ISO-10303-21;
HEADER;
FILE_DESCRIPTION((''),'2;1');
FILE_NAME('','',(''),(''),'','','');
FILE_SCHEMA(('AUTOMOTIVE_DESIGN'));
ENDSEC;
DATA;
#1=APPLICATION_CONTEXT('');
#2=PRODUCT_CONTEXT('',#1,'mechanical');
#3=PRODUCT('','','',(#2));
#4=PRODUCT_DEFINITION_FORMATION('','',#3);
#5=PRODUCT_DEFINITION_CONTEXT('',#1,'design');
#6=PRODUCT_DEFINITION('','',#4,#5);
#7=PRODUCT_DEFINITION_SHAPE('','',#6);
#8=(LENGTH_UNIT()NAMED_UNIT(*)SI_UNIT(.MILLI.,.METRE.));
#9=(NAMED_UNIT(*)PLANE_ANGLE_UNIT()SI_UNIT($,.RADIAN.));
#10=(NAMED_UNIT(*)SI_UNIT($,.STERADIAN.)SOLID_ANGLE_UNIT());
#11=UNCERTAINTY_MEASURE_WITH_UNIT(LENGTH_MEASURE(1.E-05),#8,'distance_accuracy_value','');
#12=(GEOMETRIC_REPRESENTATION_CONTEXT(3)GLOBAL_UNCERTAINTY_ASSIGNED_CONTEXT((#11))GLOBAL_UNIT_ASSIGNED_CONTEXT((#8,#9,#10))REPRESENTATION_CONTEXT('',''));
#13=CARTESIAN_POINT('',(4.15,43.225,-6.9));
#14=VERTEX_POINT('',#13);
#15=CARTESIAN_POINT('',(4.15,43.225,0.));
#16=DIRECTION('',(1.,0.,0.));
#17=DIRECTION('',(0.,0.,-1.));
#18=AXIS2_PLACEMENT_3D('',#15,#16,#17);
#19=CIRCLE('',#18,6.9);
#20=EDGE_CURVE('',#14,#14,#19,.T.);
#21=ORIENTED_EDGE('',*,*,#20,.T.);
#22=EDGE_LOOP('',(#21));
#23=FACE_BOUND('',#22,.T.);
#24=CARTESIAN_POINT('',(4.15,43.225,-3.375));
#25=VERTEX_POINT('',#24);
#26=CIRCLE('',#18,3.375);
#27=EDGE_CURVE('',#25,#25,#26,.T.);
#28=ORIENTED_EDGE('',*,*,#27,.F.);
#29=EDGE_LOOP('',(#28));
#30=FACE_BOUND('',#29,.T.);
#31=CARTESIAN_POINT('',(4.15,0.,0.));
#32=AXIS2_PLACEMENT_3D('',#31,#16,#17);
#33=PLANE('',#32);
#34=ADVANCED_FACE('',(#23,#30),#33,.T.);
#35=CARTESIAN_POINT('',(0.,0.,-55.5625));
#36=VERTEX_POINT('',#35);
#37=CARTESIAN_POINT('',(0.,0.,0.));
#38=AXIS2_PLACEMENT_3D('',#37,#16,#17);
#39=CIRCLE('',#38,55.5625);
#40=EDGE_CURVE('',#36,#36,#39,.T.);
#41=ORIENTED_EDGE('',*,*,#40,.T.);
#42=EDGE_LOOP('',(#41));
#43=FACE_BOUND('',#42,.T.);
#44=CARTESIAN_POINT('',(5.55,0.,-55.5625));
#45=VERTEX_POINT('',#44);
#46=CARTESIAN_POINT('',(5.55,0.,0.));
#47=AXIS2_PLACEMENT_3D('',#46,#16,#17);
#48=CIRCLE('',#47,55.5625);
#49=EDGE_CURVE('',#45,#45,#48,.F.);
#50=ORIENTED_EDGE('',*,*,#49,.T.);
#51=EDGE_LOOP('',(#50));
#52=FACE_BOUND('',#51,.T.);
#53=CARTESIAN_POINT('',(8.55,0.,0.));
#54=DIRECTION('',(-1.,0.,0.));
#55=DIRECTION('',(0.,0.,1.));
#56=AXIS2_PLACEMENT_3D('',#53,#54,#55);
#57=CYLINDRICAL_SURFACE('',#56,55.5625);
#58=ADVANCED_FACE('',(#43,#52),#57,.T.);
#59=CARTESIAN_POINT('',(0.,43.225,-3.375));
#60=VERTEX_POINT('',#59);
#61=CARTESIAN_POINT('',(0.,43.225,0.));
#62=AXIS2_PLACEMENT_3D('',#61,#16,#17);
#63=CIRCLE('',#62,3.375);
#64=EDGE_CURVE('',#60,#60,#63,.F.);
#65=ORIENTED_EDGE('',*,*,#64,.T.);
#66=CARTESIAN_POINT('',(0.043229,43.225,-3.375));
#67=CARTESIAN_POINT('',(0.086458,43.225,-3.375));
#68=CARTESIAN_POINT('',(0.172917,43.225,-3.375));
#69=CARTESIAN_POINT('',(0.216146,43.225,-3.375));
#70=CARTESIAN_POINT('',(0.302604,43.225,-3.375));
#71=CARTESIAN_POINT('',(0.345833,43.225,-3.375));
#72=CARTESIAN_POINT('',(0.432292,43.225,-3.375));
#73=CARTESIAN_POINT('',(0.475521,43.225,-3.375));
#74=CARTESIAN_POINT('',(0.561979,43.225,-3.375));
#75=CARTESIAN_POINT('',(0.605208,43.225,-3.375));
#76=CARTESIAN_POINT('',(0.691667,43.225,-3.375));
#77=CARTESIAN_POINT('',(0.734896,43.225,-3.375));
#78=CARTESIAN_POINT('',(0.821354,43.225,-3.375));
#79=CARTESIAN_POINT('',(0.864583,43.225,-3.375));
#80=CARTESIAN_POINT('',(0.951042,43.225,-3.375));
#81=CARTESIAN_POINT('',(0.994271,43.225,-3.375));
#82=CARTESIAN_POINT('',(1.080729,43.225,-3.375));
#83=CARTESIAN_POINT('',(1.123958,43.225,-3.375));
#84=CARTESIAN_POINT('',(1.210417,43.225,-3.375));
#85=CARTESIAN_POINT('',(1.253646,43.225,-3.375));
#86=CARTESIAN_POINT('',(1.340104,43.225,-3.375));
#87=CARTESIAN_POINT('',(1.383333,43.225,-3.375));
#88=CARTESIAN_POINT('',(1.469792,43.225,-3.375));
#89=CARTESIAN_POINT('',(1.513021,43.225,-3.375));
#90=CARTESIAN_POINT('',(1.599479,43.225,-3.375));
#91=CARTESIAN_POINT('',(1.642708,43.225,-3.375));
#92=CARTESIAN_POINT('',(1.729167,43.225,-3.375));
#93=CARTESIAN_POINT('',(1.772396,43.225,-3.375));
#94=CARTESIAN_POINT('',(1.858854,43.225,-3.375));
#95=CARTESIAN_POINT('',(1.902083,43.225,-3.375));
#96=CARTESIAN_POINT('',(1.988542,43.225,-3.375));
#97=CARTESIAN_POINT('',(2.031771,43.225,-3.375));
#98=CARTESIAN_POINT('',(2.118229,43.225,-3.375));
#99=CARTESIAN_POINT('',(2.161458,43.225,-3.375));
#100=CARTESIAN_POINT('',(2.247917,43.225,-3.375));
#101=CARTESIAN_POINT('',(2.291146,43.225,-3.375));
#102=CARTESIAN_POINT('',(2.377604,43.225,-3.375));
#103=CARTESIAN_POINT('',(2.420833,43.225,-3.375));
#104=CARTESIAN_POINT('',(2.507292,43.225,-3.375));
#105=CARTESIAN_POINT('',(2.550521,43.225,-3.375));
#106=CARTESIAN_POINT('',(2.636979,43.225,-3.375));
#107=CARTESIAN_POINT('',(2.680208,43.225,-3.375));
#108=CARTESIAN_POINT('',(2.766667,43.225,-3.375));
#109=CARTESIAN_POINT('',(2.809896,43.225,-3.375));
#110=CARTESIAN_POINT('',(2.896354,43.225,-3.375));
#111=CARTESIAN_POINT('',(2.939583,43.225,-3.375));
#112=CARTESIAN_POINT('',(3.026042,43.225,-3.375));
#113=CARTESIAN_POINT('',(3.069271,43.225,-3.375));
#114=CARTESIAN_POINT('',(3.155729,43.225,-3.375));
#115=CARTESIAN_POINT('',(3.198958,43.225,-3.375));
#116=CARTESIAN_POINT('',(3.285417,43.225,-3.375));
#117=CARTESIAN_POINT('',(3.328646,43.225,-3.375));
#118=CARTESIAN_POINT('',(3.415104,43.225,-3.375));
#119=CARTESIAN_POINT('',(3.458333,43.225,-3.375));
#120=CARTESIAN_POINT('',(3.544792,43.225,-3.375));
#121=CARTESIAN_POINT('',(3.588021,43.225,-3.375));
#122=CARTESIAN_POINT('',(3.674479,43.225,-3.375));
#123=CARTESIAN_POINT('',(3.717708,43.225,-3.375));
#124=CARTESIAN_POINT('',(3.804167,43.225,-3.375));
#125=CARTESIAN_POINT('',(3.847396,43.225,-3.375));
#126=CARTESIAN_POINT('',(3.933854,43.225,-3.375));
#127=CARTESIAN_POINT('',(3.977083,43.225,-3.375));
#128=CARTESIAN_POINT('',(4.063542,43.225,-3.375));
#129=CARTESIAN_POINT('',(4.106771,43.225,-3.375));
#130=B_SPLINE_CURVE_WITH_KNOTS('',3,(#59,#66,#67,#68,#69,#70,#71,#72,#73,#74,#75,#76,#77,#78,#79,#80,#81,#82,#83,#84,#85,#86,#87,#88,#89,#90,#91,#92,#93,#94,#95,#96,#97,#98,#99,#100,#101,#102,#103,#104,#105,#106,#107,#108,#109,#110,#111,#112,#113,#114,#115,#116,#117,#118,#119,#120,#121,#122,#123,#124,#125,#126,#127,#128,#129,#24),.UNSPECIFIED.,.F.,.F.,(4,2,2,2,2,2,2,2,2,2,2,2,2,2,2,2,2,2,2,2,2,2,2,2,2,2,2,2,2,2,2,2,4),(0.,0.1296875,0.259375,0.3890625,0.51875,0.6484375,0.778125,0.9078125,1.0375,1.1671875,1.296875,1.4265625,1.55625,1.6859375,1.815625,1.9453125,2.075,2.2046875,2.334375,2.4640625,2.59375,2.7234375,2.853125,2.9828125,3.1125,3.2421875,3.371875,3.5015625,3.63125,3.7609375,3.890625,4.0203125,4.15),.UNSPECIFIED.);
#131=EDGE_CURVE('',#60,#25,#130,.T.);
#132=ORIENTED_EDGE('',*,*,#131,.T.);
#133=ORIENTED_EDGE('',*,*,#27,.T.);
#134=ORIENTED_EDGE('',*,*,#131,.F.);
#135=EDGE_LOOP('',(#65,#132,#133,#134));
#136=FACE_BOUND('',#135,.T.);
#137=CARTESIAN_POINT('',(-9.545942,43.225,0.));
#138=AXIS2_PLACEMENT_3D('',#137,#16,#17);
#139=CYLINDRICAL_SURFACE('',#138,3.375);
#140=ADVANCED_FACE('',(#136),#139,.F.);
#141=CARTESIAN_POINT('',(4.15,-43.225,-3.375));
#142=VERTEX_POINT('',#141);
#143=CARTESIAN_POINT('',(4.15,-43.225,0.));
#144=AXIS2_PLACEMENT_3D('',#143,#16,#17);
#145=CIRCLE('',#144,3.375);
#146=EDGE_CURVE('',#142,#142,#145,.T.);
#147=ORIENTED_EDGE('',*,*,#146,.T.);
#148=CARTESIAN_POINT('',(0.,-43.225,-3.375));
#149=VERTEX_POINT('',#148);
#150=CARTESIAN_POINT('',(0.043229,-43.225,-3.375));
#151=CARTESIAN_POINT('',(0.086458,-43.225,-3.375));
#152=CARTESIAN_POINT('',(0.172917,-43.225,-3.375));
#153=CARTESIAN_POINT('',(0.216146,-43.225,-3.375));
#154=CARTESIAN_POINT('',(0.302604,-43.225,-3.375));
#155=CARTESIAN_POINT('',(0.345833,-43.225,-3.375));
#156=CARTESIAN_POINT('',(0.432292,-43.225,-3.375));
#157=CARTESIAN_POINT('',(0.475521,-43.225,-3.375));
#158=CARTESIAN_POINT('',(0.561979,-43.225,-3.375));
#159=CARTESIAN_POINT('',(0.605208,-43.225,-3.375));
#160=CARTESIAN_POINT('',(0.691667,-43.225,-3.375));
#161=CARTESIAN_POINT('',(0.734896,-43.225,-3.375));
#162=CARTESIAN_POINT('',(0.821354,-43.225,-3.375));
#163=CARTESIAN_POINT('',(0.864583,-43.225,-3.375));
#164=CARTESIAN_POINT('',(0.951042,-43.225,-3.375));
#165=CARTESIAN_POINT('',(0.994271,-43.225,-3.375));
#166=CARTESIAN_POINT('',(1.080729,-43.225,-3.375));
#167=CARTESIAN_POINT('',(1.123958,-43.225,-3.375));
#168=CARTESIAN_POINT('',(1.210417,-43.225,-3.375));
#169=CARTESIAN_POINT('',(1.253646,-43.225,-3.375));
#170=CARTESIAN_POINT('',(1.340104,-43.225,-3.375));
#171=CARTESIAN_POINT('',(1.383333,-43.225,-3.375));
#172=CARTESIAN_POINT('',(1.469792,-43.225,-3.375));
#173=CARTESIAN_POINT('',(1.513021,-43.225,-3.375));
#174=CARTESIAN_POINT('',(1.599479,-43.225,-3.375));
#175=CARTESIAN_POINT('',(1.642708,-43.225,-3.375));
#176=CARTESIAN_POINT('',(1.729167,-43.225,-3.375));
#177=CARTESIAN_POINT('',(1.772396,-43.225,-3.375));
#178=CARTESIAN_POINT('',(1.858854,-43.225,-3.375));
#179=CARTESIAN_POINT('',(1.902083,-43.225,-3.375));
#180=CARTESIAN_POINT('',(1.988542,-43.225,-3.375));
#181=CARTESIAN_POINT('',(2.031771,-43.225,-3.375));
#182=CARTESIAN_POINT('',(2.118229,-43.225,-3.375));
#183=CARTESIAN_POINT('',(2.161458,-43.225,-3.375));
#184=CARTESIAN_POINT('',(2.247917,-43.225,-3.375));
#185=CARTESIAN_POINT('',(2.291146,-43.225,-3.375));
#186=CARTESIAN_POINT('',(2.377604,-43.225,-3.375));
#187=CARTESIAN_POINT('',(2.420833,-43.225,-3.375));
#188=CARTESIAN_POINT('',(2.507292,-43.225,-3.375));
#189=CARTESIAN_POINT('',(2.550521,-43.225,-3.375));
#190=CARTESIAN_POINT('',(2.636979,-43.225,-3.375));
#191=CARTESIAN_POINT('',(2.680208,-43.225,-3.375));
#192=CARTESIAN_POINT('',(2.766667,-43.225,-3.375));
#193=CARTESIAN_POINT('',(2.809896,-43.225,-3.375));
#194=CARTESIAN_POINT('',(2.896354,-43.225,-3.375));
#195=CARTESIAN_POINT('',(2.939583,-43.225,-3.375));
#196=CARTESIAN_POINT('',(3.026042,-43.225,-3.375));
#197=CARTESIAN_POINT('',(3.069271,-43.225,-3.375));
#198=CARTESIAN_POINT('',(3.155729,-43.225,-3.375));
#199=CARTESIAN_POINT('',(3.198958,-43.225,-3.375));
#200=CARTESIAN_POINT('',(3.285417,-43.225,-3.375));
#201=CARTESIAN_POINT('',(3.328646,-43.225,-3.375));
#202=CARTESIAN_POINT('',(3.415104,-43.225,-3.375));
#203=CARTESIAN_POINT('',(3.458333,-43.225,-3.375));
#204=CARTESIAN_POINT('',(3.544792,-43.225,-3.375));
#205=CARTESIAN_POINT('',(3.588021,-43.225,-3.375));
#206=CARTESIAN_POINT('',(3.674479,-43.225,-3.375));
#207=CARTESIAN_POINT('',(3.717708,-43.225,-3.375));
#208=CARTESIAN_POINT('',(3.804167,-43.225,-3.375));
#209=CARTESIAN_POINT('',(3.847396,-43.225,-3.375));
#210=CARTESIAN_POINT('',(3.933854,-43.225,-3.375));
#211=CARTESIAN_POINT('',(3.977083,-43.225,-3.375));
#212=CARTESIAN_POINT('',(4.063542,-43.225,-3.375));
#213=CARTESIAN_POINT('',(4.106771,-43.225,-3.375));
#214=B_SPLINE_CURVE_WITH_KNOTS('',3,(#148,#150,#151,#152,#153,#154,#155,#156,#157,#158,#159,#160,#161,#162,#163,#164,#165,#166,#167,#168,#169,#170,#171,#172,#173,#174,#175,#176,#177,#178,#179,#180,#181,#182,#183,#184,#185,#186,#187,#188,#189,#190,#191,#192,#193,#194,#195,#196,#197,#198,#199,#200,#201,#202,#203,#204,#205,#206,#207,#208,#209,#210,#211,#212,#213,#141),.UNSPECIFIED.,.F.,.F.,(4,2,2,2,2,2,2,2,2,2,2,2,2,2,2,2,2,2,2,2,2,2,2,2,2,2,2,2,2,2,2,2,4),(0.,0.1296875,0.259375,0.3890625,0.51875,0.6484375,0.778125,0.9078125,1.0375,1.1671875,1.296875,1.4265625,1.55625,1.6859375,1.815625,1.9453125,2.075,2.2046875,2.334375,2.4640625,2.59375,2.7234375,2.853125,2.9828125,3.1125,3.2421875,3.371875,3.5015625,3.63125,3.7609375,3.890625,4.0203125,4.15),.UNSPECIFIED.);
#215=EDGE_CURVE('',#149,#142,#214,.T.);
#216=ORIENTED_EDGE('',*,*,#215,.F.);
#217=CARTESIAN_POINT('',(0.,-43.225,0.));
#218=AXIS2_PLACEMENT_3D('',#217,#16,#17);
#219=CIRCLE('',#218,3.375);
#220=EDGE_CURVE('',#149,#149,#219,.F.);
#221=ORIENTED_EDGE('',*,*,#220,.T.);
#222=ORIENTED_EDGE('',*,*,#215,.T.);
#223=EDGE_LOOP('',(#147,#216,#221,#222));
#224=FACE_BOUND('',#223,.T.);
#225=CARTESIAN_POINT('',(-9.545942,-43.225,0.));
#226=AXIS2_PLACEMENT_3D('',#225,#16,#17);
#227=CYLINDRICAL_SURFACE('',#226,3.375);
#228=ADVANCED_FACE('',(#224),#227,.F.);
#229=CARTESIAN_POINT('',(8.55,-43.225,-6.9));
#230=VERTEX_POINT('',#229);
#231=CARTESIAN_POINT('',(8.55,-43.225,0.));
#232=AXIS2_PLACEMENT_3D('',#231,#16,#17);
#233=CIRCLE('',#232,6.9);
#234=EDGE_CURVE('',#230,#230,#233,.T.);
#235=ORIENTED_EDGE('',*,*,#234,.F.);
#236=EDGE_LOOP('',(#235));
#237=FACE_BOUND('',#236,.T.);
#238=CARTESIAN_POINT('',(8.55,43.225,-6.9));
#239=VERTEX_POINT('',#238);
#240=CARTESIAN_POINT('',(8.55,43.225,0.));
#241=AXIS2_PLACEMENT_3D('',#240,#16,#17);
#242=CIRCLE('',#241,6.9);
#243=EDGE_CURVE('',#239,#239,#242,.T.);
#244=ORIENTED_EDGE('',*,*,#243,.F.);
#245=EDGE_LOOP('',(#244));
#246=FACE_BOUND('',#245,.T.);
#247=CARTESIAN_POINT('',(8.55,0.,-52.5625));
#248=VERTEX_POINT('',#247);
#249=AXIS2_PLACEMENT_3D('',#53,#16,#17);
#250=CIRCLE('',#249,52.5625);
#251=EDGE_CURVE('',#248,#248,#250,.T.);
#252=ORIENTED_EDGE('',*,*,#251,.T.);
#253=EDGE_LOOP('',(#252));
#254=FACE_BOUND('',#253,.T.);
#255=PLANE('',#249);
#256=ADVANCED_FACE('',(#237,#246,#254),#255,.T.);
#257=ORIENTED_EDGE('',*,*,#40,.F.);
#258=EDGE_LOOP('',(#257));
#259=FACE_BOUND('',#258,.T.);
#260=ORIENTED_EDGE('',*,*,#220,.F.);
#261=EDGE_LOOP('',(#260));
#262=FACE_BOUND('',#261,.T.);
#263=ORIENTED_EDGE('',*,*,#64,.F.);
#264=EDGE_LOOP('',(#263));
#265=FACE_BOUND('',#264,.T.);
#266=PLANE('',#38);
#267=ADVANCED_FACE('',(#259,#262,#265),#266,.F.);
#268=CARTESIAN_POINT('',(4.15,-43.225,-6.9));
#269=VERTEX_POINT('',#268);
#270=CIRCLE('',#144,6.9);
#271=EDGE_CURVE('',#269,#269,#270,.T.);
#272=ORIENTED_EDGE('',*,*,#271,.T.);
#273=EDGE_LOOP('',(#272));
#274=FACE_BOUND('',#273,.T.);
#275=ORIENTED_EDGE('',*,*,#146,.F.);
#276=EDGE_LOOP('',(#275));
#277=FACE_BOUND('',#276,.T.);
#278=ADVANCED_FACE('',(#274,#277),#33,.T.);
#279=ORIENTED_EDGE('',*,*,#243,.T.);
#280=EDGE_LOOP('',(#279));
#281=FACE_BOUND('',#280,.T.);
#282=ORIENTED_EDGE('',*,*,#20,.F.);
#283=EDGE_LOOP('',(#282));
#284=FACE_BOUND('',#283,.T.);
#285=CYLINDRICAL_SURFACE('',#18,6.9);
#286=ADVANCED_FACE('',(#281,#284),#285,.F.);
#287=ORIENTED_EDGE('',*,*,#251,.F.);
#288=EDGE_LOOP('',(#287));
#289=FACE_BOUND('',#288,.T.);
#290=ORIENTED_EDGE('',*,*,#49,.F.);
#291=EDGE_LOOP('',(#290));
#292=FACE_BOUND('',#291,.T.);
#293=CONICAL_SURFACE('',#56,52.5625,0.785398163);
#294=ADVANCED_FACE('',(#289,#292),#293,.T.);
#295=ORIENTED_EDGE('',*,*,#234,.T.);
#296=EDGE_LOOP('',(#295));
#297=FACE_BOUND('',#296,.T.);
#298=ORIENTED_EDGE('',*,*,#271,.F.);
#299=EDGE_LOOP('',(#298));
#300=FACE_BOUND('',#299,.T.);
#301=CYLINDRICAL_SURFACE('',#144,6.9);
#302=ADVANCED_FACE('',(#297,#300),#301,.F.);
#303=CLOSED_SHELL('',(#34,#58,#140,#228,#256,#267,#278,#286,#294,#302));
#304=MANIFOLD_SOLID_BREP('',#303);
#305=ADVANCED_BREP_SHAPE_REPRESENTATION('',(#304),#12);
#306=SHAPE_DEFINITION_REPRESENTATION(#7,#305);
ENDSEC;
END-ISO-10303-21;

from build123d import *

# Parameters (mm, degrees)
SKETCH1_R           = 55.5625
BOSS_EXTRUDE1_DEPTH = 8.55
CHAMFER1_SIZE       = 3
SKETCH3_R           = 6.9
CUT_EXTRUDE1_DEPTH  = 4.4
SKETCH4_R           = 3.375
CUT_EXTRUDE2_DEPTH  = 4.15


with BuildPart() as part:
    # Sketch1 → Boss-Extrude1 (new body)
    with BuildSketch(Plane(origin=(0, 0, 0), x_dir=(0, 0, -1), z_dir=(1, 0, 0))):
        Circle(SKETCH1_R)
    extrude(amount=BOSS_EXTRUDE1_DEPTH)

    # Chamfer1
    chamfer1_edges = [part.edges().sort_by_distance(p)[0] for p in [
        (8.55, 0, 55.5625),
    ]]
    chamfer(chamfer1_edges, length=CHAMFER1_SIZE)

    # Sketch3 → Cut-Extrude1 (cut)
    with BuildSketch(Plane(origin=(8.55, 0, 0), x_dir=(0, 0, -1), z_dir=(1, 0, 0))):
        with Locations((0, 43.225)):
            Circle(SKETCH3_R)
        with Locations((0, -43.225)):
            Circle(SKETCH3_R)
    extrude(amount=-CUT_EXTRUDE1_DEPTH, mode=Mode.SUBTRACT)

    # Sketch4 → Cut-Extrude2 (cut)
    with BuildSketch(Plane(origin=(4.15, 0, 0), x_dir=(0, 0, -1), z_dir=(1, 0, 0))):
        with Locations((0, 43.225)):
            Circle(SKETCH4_R)
        with Locations((0, -43.225)):
            Circle(SKETCH4_R)
    extrude(amount=-CUT_EXTRUDE2_DEPTH, mode=Mode.SUBTRACT)


solid = part.part
